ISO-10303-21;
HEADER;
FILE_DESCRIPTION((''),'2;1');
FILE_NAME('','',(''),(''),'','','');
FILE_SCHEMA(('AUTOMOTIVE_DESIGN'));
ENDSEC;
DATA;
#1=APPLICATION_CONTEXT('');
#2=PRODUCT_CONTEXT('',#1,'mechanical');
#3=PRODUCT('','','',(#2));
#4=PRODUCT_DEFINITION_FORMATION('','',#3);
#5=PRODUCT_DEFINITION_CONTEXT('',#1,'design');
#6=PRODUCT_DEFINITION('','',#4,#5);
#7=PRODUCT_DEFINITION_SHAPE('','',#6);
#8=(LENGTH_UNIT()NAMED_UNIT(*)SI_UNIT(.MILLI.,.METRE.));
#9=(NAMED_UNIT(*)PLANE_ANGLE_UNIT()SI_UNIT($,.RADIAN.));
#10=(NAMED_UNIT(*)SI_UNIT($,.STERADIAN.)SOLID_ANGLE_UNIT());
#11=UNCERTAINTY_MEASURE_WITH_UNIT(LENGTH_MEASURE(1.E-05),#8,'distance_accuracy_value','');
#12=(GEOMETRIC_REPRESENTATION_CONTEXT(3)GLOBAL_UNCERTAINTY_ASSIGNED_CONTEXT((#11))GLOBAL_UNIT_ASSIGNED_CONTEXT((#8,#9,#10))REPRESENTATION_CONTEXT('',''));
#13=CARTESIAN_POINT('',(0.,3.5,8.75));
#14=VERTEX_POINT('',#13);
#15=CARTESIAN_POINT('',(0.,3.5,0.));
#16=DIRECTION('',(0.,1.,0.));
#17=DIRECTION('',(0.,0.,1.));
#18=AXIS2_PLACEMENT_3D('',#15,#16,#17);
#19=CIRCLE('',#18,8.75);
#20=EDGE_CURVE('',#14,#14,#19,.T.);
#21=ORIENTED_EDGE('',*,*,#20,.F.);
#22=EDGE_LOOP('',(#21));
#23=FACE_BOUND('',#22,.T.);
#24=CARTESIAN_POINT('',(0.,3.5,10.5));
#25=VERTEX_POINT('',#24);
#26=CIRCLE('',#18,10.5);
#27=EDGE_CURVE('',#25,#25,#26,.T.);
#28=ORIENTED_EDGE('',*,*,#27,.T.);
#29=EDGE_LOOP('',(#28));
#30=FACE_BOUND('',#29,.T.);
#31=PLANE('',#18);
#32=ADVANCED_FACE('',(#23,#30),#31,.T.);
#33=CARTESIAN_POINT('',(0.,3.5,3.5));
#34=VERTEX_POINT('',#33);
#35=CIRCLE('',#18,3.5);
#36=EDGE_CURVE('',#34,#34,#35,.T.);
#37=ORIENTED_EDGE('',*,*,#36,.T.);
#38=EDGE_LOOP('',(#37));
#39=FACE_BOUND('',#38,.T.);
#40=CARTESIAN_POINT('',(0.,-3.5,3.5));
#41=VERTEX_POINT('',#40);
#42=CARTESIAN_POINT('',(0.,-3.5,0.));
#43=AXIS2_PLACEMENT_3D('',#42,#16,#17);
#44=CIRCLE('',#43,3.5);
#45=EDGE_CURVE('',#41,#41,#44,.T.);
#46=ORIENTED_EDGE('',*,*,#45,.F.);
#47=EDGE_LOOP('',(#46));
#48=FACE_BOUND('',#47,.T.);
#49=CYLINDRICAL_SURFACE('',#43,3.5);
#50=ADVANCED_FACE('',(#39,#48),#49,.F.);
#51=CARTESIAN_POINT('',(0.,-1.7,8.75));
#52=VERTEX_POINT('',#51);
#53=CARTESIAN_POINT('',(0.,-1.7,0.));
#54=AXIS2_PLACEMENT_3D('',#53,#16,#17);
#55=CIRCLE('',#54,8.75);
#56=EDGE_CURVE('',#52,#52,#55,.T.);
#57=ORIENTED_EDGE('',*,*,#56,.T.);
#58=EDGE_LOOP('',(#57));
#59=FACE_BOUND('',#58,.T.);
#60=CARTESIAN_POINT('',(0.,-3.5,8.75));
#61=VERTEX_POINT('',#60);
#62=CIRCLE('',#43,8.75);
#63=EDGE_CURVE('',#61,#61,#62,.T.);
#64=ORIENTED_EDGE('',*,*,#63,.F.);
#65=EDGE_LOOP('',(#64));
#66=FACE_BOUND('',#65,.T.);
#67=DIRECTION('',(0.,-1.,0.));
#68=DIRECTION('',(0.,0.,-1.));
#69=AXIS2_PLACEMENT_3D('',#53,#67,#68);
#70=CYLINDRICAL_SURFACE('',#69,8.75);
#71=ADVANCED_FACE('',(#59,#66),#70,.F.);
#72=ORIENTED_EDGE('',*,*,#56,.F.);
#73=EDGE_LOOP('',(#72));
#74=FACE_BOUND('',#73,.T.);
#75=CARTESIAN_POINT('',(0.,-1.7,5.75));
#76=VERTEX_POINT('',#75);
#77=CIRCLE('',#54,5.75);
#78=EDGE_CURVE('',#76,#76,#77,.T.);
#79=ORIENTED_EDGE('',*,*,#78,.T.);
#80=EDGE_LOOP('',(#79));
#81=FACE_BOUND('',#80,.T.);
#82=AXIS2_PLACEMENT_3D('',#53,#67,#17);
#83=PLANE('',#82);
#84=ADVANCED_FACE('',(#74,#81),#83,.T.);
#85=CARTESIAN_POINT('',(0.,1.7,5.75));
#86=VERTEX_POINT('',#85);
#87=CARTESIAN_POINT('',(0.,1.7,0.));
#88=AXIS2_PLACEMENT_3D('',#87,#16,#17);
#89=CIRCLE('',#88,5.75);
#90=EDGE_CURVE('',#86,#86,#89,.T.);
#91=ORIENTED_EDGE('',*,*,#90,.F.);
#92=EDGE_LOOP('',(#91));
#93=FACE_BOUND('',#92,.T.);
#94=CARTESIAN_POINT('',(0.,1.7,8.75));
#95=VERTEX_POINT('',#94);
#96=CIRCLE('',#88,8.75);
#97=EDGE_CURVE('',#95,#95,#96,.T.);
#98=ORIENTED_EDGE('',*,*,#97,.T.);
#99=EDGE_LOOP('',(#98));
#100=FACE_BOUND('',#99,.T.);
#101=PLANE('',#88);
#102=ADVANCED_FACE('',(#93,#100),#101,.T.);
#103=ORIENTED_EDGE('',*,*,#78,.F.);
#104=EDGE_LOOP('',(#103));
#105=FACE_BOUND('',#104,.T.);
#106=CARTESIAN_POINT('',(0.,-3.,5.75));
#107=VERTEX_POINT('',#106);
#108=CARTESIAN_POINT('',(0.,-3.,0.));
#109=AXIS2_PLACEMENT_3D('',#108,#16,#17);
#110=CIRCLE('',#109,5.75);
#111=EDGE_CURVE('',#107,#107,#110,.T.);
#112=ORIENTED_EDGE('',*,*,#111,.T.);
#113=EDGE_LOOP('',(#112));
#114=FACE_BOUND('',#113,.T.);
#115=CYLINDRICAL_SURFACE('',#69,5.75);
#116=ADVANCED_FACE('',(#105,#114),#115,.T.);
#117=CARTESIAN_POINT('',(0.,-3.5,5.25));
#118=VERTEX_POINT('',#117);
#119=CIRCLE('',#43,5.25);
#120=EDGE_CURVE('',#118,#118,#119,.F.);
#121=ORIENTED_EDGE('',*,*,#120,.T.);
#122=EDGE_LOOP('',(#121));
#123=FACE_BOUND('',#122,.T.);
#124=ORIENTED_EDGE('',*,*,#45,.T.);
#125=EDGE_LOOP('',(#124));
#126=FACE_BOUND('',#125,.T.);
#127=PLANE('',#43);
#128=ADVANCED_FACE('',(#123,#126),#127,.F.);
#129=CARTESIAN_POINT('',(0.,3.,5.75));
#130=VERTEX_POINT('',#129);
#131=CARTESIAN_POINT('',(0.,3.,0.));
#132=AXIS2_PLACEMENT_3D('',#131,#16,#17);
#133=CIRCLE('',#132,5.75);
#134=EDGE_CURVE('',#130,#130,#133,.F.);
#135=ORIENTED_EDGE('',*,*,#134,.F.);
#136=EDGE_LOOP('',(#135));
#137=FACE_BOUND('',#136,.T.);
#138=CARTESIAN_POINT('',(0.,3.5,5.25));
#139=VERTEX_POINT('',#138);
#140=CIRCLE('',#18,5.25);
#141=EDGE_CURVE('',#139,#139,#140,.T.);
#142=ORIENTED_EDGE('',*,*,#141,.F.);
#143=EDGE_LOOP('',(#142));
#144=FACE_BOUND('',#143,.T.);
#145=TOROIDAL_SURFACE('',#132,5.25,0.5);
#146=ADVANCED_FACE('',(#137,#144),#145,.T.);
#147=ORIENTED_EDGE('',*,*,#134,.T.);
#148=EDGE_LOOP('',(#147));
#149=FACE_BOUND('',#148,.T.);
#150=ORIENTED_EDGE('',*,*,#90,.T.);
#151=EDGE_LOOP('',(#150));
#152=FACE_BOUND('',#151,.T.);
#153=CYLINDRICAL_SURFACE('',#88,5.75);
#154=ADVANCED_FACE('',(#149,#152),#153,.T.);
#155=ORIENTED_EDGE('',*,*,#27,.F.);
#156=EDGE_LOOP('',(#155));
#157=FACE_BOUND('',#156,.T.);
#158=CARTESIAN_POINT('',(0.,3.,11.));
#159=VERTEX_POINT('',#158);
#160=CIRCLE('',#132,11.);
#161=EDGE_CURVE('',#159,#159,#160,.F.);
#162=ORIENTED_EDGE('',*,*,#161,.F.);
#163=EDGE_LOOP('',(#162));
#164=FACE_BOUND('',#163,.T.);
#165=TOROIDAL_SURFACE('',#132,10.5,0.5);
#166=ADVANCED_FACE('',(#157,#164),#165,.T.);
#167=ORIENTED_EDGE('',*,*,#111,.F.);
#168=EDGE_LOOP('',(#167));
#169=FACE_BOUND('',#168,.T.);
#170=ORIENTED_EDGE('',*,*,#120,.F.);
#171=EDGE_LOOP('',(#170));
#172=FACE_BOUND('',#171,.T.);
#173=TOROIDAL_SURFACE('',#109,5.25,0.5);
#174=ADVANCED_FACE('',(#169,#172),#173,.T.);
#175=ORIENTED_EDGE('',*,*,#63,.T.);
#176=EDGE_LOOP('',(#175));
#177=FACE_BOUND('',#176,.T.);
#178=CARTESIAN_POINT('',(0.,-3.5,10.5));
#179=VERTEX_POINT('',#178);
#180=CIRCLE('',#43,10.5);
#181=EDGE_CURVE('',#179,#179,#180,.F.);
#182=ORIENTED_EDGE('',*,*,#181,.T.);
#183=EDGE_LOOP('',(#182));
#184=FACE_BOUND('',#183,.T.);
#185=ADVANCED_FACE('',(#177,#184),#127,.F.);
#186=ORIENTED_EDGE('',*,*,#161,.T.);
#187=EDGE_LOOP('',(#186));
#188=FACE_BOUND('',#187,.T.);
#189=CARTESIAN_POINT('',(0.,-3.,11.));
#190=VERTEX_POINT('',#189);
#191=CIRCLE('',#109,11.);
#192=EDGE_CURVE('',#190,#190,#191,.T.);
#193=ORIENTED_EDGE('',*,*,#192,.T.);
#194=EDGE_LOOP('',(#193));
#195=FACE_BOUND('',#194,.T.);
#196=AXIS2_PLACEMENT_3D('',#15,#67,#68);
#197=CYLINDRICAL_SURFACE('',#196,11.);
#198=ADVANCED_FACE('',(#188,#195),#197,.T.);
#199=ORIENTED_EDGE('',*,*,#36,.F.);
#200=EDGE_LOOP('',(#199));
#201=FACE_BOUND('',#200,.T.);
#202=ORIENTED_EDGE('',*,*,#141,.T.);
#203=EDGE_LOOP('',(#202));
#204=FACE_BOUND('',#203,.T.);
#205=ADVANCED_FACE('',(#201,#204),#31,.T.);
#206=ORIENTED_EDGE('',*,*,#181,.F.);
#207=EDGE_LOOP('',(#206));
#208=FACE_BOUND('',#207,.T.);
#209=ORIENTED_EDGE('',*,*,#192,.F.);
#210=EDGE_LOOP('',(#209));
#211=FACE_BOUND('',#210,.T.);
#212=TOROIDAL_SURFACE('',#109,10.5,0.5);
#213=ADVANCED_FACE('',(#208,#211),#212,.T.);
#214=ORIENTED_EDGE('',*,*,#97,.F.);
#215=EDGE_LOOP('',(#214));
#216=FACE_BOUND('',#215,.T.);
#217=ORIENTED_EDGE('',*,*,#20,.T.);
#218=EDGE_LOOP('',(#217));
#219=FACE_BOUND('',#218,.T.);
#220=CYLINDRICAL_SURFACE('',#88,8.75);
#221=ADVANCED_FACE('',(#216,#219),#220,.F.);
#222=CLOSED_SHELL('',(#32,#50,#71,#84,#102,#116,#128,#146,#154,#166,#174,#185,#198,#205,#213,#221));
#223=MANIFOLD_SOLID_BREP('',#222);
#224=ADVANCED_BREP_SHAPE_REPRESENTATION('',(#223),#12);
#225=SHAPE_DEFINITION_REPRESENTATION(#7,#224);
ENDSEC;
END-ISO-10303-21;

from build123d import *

# Parameters (mm, degrees)
SKETCH1_R           = 11
BOSS_EXTRUDE1_DEPTH = 3.5
SKETCH3_R           = 3.5
CUT_EXTRUDE1_DEPTH  = 8
SKETCH3_3_R         = 8.75
SKETCH3_3_R_2       = 5.75
CUT_EXTRUDE2_DEPTH  = 1.8
FILLET1_R           = 0.5


with BuildPart() as part:
    # Sketch1 → Boss-Extrude1 (new body, symmetric)
    with BuildSketch(Plane(origin=(0, 0, 0), x_dir=(1, 0, 0), z_dir=(0, 1, 0))):
        Circle(SKETCH1_R)
    extrude(amount=BOSS_EXTRUDE1_DEPTH, both=True)

    # Sketch3 → Cut-Extrude1 (cut, through all)
    with BuildSketch(Plane(origin=(0, 3.5, 0), x_dir=(1, 0, 0), z_dir=(0, 1, 0))):
        Circle(SKETCH3_R)
    extrude(amount=-CUT_EXTRUDE1_DEPTH, mode=Mode.SUBTRACT)

    # Sketch3<3> → Cut-Extrude2 (cut)
    with BuildSketch(Plane(origin=(0, 3.5, 0), x_dir=(1, 0, 0), z_dir=(0, 1, 0))):
        Circle(SKETCH3_3_R)
        Circle(SKETCH3_3_R_2, mode=Mode.SUBTRACT)
    cut_extrude2 = extrude(amount=-CUT_EXTRUDE2_DEPTH, mode=Mode.SUBTRACT)

    # Mirror1: Cut-Extrude2 across plane
    add(cut_extrude2.mirror(Plane.ZX), mode=Mode.SUBTRACT)

    # Fillet1
    fillet1_edges = [part.edges().sort_by_distance(p)[0] for p in [
        (-5.75, 3.5, 0),
        (-11, -3.5, 0),
        (-5.75, -3.5, 0),
        (-11, 3.5, 0),
    ]]
    fillet(fillet1_edges, radius=FILLET1_R)


solid = part.part
